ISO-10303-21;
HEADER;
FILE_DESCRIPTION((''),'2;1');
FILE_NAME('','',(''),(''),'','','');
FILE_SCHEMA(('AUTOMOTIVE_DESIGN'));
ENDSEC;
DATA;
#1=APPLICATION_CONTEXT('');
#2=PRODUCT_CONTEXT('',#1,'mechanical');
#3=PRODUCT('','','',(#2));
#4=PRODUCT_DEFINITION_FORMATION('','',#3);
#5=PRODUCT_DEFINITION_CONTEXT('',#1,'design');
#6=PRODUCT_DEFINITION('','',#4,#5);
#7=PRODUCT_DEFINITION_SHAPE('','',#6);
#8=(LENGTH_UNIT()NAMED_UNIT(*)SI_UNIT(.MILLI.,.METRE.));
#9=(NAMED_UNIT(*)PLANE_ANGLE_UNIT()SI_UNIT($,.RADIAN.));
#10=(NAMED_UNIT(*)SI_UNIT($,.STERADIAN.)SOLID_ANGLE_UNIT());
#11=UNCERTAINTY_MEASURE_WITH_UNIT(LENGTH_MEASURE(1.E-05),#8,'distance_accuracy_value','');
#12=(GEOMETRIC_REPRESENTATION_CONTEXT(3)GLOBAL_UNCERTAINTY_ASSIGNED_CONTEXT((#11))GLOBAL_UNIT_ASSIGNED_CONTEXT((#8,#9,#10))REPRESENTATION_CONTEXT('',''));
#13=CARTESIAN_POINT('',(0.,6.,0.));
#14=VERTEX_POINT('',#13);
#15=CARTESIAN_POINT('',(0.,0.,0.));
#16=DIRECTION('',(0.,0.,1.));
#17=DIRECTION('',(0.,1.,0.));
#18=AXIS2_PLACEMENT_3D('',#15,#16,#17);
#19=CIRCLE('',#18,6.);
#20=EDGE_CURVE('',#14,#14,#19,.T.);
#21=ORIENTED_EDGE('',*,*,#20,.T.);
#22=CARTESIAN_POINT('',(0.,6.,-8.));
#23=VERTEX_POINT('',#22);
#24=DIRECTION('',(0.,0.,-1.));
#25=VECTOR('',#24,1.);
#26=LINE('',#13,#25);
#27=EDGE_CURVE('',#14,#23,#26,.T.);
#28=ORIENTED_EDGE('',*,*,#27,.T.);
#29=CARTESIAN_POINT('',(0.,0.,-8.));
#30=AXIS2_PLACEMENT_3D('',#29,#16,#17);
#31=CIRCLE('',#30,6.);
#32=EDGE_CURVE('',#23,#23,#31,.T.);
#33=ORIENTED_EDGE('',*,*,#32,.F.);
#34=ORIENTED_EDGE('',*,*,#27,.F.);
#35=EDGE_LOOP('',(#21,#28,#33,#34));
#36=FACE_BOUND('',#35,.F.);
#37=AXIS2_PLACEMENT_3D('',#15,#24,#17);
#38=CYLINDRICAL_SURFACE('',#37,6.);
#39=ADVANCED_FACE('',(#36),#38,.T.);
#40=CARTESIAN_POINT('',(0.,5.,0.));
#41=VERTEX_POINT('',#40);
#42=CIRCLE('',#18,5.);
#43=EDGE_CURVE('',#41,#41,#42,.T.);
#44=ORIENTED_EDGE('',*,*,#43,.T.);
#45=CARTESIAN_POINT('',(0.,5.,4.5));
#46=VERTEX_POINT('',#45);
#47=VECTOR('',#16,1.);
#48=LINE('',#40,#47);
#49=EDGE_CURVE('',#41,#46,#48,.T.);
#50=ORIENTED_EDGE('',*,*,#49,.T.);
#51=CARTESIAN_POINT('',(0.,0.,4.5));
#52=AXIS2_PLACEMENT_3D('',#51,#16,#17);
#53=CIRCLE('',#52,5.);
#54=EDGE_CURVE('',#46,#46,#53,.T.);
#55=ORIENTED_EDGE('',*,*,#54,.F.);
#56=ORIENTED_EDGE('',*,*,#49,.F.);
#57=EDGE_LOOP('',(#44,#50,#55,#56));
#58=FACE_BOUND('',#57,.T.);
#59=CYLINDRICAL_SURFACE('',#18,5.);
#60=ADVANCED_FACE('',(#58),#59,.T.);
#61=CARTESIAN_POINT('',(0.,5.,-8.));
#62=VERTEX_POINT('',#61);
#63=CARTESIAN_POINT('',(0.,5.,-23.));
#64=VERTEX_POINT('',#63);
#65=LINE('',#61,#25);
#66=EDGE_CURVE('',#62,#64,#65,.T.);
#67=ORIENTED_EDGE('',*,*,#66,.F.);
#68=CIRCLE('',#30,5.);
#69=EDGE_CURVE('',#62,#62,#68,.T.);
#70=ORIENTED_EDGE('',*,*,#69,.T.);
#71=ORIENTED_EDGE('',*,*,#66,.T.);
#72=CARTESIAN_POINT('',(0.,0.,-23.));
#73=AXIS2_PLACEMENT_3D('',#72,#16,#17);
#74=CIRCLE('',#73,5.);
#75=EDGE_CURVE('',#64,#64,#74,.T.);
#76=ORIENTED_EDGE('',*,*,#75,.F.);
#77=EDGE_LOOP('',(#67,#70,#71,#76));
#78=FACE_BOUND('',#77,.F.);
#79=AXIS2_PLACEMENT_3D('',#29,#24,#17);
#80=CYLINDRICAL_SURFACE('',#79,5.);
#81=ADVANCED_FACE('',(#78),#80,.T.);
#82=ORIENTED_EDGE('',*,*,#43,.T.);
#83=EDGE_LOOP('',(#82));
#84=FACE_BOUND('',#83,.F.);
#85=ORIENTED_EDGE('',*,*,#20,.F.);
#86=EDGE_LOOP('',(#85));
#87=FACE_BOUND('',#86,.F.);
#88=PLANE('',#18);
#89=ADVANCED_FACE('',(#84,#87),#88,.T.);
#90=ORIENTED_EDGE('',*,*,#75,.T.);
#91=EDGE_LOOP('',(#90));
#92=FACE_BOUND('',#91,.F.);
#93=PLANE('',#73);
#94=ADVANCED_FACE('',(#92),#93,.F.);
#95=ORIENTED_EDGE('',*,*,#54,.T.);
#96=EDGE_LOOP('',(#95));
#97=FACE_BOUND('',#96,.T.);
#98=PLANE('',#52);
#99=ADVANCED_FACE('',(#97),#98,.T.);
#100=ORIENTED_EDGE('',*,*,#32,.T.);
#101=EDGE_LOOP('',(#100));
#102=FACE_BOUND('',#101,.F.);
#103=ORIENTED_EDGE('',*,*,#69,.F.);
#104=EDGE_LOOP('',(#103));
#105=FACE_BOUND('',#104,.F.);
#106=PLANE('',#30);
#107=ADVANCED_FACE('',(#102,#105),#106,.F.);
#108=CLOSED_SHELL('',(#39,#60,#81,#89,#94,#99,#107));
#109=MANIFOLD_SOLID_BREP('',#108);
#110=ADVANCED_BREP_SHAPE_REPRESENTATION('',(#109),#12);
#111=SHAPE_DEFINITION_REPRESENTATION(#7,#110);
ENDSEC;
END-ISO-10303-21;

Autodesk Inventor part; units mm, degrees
ref_plane "YZ Plane" through (0, 0, 0) normal (1, 0, 0) x (0, 1, 0)
ref_plane "XZ Plane" through (0, 0, 0) normal (0, 1, 0) x (-1, 0, 0)
ref_plane "XY Plane" through (0, 0, 0) normal (0, 0, 1) x (1, 0, 0)
sketch "スケッチ1" plane through (0, 0, 0) normal (1, 0, 0) x (0, 1, 0)
  line L0 (0, 0) -> (5, 0)
  line L1 (5, 0) -> (5, 4.5)
  line L2 (5, 4.5) -> (0, 4.5)
  line L3 (0, 4.5) -> (0, 0)
  line L4 (0, 0) -> (6, 0)
  line L5 (6, 0) -> (6, -8)
  line L6 (6, -8) -> (0, -8)
  line L7 (0, -8) -> (0, 0)
  line L8 (0, -8) -> (5, -8)
  line L9 (5, -8) -> (5, -23)
  line L10 (5, -23) -> (0, -23)
  line L11 (0, -23) -> (0, -8)
  point P0 (5, 0)
  dimension "d0" = 5
  dimension "d1" = 4.5
  dimension "d2" = 6
  dimension "d3" = 8
  dimension "d4" = 15
revolve "回転1" add sketch "スケッチ1" angle 360 about axis through (0, 0, -23) along (0, 0, 1)
properties part number "出力ピン" material "鋼、炭素鋼"
